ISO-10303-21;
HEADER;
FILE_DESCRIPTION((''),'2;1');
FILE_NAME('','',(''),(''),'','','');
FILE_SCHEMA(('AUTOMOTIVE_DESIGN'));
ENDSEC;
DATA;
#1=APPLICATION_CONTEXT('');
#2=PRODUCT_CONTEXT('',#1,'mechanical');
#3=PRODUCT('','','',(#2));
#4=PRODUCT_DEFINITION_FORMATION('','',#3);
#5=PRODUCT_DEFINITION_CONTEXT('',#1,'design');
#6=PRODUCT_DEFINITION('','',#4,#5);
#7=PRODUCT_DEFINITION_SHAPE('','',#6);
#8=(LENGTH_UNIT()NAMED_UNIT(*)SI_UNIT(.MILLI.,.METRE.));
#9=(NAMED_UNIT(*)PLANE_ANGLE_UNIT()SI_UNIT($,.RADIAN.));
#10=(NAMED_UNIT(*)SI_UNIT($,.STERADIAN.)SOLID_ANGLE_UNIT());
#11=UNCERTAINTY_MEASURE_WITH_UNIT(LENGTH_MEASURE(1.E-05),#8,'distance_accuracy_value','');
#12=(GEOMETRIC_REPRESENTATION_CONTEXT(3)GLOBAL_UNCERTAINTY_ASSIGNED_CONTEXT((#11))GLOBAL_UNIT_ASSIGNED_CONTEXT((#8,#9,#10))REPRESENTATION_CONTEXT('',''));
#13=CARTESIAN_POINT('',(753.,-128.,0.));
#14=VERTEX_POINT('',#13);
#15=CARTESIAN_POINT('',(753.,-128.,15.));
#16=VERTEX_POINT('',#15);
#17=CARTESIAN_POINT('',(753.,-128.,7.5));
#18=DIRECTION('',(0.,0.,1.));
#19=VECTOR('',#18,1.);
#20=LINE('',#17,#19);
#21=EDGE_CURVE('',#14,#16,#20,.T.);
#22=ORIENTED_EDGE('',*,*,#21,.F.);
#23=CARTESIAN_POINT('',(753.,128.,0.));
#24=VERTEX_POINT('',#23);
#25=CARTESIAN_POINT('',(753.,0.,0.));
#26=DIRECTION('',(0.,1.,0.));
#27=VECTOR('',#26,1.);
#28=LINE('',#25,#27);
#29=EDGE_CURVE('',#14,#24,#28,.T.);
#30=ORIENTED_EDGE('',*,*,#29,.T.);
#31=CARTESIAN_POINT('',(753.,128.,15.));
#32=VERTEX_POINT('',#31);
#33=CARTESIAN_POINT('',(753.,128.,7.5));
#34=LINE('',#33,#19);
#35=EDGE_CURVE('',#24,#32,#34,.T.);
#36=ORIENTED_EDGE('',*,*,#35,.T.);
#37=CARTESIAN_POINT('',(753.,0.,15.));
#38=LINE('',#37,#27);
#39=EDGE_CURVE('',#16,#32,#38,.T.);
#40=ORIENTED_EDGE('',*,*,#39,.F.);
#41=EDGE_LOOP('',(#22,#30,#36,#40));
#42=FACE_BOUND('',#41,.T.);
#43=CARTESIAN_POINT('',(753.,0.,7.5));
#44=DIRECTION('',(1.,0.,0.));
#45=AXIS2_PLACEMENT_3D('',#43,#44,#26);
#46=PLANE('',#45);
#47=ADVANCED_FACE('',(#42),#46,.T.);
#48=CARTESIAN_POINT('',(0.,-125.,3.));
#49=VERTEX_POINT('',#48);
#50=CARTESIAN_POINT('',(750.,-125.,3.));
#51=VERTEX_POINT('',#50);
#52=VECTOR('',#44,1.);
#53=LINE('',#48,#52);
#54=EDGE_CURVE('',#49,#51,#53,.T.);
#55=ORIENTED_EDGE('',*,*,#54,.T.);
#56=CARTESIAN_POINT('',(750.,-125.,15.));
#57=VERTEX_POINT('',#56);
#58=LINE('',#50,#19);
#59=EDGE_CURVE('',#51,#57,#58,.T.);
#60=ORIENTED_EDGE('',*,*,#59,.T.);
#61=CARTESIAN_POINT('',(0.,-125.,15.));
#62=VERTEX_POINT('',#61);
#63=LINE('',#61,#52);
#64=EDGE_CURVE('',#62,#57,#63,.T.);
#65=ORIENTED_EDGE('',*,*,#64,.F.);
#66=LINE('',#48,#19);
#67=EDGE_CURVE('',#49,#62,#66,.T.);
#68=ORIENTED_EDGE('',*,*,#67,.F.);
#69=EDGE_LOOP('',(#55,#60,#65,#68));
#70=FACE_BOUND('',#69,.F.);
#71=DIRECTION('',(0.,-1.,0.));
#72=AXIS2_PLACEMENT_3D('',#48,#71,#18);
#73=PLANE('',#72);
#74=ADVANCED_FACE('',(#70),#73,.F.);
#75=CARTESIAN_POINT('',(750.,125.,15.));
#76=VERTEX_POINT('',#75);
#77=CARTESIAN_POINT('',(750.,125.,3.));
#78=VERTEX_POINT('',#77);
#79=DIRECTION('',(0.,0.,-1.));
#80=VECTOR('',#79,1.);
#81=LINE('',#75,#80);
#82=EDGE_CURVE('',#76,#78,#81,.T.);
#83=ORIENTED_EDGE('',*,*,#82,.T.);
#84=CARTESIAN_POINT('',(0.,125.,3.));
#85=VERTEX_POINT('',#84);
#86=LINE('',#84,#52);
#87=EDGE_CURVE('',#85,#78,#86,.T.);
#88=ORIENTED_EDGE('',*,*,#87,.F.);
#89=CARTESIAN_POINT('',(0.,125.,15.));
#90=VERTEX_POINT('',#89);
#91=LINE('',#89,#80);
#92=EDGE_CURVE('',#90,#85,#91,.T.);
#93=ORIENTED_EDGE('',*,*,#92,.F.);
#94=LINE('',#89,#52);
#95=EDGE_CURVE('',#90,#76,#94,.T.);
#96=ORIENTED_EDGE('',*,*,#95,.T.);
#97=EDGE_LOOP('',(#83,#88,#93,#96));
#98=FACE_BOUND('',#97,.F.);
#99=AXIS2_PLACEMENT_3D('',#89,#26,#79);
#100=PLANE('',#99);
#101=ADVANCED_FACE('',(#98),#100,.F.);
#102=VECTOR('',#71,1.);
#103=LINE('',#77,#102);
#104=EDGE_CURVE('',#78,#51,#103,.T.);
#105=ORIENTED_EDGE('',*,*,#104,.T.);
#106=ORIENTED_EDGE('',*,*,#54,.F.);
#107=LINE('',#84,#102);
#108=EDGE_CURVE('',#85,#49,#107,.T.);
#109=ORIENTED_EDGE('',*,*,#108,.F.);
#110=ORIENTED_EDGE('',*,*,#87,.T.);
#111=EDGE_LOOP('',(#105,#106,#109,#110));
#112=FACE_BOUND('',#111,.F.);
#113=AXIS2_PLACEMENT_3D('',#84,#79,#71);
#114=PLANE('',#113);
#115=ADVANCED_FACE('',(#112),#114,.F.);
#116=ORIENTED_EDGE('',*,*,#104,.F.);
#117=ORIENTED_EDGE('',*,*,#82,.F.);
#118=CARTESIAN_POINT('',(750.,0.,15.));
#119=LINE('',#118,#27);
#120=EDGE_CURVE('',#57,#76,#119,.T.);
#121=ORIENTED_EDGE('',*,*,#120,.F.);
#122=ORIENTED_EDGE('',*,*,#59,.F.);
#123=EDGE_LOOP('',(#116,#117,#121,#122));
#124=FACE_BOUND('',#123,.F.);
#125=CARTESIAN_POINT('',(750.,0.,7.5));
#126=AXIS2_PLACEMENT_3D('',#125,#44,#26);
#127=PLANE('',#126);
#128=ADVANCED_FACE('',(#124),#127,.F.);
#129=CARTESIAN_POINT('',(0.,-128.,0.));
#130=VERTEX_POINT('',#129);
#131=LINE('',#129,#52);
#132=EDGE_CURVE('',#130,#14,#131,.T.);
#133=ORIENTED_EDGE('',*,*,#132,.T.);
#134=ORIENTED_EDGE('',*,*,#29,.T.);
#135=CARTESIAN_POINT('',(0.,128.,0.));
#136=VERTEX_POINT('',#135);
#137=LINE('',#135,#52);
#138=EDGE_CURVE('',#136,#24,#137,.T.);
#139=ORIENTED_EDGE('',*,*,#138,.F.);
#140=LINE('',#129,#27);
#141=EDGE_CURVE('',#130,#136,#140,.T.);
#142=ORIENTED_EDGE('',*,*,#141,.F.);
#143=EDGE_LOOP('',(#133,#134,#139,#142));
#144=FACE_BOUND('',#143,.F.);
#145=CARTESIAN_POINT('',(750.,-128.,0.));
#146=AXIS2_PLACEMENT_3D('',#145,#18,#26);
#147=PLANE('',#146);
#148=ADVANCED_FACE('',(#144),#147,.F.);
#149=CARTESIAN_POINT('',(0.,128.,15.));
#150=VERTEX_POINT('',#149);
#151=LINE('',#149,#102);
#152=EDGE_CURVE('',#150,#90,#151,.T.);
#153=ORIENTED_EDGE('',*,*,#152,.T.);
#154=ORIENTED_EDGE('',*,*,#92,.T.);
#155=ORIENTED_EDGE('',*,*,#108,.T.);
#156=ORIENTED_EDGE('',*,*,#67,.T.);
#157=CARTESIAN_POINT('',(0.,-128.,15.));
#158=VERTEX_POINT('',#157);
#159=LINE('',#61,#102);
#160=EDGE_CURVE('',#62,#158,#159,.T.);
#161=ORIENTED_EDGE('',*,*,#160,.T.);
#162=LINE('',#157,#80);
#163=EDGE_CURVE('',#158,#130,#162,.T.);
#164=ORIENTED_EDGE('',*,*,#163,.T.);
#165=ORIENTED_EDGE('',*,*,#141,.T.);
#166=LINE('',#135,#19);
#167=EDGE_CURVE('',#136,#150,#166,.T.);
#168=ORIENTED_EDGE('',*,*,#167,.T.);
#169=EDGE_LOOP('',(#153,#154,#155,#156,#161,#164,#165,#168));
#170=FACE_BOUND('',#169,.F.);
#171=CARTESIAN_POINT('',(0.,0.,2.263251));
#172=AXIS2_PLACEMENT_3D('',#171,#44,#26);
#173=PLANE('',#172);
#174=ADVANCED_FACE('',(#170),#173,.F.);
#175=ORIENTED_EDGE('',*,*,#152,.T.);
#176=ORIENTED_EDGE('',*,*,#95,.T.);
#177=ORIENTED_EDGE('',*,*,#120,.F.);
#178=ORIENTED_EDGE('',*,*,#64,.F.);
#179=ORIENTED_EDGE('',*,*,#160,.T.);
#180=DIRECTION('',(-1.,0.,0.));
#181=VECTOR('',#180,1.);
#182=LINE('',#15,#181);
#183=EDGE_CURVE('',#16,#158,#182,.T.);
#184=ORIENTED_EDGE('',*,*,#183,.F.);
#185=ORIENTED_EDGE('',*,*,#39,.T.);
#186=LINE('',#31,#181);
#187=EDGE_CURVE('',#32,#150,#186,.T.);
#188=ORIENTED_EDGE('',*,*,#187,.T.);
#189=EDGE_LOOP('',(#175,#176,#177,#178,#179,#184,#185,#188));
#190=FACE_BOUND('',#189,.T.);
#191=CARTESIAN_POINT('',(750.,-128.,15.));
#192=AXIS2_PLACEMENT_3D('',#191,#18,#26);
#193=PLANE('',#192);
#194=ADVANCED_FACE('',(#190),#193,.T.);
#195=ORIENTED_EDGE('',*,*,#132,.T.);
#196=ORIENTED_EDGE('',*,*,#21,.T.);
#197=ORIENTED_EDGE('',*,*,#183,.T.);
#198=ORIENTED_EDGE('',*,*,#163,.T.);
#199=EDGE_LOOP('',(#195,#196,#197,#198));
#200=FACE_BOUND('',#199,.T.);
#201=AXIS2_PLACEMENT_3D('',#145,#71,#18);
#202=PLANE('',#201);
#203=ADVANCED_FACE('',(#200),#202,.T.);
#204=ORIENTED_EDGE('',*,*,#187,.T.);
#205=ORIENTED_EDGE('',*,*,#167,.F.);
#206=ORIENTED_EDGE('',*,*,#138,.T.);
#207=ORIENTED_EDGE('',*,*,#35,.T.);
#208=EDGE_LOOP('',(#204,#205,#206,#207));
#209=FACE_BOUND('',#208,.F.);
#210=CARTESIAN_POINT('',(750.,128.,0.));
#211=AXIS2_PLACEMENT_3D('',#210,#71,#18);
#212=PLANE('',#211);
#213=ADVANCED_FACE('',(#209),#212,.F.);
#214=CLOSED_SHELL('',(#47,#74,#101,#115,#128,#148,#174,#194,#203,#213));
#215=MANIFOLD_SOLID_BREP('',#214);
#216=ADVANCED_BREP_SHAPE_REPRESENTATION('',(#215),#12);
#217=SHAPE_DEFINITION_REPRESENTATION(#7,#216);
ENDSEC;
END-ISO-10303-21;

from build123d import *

# Parameters (mm, degrees)
F1_DEPTH = 750
F2_W     = 256
F2_H     = 15
F3_DEPTH = 3


with BuildPart() as f1:
    # F0 (on Right) → F1 (new body)
    with BuildSketch(Plane.YZ):
        Polygon((-128, 0), (128, 0), (128, 15), (125, 15), (125, 3), (-125, 3), (-125, 15), (-128, 15), align=None)
    extrude(amount=F1_DEPTH)

    # F2 (on face) → F3 (join)
    with BuildSketch(Plane.YZ.offset(750)):
        with Locations((0, 7.5)):
            Rectangle(F2_W, F2_H)
    extrude(amount=F3_DEPTH)


solid = f1.part
